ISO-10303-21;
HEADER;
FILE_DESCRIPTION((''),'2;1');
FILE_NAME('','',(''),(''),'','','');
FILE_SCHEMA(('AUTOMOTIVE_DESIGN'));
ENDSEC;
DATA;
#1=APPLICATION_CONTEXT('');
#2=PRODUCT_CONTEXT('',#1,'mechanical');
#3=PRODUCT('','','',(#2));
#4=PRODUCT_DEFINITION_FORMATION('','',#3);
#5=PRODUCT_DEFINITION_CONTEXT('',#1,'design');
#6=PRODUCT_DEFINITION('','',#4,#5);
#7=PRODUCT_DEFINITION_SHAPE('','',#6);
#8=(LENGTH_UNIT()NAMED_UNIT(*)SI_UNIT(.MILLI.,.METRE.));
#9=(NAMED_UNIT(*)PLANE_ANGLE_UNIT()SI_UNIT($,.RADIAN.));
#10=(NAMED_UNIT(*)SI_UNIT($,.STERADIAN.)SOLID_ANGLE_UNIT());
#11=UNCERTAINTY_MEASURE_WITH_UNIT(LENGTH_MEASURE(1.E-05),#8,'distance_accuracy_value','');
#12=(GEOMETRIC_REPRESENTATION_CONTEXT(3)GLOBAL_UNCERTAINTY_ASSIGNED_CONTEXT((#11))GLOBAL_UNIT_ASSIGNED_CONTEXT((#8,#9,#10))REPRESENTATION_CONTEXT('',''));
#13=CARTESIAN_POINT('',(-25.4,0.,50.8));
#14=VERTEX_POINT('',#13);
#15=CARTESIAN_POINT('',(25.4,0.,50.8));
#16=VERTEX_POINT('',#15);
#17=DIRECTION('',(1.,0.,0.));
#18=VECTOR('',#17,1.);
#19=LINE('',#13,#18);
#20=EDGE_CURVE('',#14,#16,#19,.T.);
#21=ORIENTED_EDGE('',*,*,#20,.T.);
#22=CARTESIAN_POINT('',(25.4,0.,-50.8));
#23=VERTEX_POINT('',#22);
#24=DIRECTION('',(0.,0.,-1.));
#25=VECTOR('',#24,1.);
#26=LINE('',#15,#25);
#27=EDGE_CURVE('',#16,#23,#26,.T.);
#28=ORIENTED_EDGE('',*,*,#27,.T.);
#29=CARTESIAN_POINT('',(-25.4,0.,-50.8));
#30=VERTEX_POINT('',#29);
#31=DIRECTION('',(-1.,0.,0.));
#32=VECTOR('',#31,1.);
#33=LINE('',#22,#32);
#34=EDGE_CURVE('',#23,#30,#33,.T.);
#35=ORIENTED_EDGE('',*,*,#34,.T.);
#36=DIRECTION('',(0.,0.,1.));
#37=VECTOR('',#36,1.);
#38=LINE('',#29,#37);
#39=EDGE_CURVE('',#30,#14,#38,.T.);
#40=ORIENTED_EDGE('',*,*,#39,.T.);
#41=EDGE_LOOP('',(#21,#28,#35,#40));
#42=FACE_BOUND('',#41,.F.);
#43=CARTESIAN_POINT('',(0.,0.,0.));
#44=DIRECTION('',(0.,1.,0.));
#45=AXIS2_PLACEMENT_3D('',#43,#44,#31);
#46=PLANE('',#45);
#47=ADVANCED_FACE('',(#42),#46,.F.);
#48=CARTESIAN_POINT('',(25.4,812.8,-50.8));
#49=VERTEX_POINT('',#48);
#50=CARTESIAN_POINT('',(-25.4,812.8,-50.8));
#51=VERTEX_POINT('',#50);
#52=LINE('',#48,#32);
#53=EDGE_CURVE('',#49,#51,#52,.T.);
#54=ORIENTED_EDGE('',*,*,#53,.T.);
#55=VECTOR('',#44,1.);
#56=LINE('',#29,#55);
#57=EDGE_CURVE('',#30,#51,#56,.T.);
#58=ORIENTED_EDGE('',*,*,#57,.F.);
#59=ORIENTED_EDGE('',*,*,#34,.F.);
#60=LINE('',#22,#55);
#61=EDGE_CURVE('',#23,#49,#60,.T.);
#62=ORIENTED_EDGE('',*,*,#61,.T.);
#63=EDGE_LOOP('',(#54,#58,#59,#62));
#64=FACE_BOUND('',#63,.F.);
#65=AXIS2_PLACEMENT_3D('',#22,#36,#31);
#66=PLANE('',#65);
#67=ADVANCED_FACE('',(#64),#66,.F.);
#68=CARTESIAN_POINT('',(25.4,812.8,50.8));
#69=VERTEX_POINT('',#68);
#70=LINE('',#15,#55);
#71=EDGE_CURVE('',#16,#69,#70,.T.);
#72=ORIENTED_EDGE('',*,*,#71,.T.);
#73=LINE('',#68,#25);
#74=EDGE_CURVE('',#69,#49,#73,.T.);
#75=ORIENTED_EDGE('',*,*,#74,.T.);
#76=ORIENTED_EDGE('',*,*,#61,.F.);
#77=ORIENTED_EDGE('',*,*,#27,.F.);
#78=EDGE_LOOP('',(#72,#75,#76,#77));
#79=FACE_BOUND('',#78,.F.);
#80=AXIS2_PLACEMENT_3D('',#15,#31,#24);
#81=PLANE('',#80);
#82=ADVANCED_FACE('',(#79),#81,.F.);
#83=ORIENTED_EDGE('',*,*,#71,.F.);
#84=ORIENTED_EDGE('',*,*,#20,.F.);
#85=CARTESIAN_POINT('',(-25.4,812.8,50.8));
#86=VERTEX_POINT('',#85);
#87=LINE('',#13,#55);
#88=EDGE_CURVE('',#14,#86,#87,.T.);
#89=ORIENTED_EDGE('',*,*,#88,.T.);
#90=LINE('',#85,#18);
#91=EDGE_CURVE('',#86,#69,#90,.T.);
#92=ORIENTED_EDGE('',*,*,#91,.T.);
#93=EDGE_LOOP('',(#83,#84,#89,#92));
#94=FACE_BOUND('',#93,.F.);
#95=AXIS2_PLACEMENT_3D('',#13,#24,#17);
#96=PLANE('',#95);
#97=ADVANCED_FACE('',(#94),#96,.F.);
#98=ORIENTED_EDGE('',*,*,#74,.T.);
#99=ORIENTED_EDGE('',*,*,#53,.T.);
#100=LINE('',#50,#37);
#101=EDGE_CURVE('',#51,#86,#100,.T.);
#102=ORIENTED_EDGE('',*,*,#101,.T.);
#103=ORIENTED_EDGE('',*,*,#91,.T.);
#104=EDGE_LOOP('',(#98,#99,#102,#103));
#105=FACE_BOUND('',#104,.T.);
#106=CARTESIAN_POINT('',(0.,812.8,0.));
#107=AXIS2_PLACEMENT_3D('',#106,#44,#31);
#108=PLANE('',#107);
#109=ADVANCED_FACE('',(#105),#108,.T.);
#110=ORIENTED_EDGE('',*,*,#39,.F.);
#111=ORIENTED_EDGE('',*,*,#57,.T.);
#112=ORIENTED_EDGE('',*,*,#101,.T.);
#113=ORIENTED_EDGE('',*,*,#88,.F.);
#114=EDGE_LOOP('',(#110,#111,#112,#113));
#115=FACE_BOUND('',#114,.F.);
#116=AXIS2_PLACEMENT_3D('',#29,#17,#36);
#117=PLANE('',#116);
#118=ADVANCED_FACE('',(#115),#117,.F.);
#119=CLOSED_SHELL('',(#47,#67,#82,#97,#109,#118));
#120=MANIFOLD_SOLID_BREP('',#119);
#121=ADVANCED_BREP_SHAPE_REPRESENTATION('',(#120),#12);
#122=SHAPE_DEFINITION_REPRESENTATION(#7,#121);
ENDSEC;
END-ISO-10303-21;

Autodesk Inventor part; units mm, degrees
ref_plane "YZ Plane" through (0, 0, 0) normal (1, 0, 0) x (0, 1, 0)
ref_plane "XZ Plane" through (0, 0, 0) normal (0, 1, 0) x (-1, 0, 0)
ref_plane "XY Plane" through (0, 0, 0) normal (0, 0, 1) x (1, 0, 0)
sketch "Sketch1" plane through (0, 0, 0) normal (0, 1, 0) x (-1, 0, 0)
  line L0 (-25.4, -50.8) -> (25.4, -50.8)
  line L1 (25.4, -50.8) -> (25.4, 50.8)
  line L2 (25.4, 50.8) -> (-25.4, 50.8)
  line L3 (-25.4, 50.8) -> (-25.4, -50.8)
  line L4 (-25.4, -50.8) -> (25.4, 50.8) construction
  line L5 (25.4, -50.8) -> (-25.4, 50.8) construction
  point P0 (0, 0)
  dimension "d0" = 50.8
  dimension "d1" = 101.6
extrude "Extrusion1" add sketch "Sketch1" along normal blind 812.8
properties part number "2x4x32" material "Wood (Birch)"
